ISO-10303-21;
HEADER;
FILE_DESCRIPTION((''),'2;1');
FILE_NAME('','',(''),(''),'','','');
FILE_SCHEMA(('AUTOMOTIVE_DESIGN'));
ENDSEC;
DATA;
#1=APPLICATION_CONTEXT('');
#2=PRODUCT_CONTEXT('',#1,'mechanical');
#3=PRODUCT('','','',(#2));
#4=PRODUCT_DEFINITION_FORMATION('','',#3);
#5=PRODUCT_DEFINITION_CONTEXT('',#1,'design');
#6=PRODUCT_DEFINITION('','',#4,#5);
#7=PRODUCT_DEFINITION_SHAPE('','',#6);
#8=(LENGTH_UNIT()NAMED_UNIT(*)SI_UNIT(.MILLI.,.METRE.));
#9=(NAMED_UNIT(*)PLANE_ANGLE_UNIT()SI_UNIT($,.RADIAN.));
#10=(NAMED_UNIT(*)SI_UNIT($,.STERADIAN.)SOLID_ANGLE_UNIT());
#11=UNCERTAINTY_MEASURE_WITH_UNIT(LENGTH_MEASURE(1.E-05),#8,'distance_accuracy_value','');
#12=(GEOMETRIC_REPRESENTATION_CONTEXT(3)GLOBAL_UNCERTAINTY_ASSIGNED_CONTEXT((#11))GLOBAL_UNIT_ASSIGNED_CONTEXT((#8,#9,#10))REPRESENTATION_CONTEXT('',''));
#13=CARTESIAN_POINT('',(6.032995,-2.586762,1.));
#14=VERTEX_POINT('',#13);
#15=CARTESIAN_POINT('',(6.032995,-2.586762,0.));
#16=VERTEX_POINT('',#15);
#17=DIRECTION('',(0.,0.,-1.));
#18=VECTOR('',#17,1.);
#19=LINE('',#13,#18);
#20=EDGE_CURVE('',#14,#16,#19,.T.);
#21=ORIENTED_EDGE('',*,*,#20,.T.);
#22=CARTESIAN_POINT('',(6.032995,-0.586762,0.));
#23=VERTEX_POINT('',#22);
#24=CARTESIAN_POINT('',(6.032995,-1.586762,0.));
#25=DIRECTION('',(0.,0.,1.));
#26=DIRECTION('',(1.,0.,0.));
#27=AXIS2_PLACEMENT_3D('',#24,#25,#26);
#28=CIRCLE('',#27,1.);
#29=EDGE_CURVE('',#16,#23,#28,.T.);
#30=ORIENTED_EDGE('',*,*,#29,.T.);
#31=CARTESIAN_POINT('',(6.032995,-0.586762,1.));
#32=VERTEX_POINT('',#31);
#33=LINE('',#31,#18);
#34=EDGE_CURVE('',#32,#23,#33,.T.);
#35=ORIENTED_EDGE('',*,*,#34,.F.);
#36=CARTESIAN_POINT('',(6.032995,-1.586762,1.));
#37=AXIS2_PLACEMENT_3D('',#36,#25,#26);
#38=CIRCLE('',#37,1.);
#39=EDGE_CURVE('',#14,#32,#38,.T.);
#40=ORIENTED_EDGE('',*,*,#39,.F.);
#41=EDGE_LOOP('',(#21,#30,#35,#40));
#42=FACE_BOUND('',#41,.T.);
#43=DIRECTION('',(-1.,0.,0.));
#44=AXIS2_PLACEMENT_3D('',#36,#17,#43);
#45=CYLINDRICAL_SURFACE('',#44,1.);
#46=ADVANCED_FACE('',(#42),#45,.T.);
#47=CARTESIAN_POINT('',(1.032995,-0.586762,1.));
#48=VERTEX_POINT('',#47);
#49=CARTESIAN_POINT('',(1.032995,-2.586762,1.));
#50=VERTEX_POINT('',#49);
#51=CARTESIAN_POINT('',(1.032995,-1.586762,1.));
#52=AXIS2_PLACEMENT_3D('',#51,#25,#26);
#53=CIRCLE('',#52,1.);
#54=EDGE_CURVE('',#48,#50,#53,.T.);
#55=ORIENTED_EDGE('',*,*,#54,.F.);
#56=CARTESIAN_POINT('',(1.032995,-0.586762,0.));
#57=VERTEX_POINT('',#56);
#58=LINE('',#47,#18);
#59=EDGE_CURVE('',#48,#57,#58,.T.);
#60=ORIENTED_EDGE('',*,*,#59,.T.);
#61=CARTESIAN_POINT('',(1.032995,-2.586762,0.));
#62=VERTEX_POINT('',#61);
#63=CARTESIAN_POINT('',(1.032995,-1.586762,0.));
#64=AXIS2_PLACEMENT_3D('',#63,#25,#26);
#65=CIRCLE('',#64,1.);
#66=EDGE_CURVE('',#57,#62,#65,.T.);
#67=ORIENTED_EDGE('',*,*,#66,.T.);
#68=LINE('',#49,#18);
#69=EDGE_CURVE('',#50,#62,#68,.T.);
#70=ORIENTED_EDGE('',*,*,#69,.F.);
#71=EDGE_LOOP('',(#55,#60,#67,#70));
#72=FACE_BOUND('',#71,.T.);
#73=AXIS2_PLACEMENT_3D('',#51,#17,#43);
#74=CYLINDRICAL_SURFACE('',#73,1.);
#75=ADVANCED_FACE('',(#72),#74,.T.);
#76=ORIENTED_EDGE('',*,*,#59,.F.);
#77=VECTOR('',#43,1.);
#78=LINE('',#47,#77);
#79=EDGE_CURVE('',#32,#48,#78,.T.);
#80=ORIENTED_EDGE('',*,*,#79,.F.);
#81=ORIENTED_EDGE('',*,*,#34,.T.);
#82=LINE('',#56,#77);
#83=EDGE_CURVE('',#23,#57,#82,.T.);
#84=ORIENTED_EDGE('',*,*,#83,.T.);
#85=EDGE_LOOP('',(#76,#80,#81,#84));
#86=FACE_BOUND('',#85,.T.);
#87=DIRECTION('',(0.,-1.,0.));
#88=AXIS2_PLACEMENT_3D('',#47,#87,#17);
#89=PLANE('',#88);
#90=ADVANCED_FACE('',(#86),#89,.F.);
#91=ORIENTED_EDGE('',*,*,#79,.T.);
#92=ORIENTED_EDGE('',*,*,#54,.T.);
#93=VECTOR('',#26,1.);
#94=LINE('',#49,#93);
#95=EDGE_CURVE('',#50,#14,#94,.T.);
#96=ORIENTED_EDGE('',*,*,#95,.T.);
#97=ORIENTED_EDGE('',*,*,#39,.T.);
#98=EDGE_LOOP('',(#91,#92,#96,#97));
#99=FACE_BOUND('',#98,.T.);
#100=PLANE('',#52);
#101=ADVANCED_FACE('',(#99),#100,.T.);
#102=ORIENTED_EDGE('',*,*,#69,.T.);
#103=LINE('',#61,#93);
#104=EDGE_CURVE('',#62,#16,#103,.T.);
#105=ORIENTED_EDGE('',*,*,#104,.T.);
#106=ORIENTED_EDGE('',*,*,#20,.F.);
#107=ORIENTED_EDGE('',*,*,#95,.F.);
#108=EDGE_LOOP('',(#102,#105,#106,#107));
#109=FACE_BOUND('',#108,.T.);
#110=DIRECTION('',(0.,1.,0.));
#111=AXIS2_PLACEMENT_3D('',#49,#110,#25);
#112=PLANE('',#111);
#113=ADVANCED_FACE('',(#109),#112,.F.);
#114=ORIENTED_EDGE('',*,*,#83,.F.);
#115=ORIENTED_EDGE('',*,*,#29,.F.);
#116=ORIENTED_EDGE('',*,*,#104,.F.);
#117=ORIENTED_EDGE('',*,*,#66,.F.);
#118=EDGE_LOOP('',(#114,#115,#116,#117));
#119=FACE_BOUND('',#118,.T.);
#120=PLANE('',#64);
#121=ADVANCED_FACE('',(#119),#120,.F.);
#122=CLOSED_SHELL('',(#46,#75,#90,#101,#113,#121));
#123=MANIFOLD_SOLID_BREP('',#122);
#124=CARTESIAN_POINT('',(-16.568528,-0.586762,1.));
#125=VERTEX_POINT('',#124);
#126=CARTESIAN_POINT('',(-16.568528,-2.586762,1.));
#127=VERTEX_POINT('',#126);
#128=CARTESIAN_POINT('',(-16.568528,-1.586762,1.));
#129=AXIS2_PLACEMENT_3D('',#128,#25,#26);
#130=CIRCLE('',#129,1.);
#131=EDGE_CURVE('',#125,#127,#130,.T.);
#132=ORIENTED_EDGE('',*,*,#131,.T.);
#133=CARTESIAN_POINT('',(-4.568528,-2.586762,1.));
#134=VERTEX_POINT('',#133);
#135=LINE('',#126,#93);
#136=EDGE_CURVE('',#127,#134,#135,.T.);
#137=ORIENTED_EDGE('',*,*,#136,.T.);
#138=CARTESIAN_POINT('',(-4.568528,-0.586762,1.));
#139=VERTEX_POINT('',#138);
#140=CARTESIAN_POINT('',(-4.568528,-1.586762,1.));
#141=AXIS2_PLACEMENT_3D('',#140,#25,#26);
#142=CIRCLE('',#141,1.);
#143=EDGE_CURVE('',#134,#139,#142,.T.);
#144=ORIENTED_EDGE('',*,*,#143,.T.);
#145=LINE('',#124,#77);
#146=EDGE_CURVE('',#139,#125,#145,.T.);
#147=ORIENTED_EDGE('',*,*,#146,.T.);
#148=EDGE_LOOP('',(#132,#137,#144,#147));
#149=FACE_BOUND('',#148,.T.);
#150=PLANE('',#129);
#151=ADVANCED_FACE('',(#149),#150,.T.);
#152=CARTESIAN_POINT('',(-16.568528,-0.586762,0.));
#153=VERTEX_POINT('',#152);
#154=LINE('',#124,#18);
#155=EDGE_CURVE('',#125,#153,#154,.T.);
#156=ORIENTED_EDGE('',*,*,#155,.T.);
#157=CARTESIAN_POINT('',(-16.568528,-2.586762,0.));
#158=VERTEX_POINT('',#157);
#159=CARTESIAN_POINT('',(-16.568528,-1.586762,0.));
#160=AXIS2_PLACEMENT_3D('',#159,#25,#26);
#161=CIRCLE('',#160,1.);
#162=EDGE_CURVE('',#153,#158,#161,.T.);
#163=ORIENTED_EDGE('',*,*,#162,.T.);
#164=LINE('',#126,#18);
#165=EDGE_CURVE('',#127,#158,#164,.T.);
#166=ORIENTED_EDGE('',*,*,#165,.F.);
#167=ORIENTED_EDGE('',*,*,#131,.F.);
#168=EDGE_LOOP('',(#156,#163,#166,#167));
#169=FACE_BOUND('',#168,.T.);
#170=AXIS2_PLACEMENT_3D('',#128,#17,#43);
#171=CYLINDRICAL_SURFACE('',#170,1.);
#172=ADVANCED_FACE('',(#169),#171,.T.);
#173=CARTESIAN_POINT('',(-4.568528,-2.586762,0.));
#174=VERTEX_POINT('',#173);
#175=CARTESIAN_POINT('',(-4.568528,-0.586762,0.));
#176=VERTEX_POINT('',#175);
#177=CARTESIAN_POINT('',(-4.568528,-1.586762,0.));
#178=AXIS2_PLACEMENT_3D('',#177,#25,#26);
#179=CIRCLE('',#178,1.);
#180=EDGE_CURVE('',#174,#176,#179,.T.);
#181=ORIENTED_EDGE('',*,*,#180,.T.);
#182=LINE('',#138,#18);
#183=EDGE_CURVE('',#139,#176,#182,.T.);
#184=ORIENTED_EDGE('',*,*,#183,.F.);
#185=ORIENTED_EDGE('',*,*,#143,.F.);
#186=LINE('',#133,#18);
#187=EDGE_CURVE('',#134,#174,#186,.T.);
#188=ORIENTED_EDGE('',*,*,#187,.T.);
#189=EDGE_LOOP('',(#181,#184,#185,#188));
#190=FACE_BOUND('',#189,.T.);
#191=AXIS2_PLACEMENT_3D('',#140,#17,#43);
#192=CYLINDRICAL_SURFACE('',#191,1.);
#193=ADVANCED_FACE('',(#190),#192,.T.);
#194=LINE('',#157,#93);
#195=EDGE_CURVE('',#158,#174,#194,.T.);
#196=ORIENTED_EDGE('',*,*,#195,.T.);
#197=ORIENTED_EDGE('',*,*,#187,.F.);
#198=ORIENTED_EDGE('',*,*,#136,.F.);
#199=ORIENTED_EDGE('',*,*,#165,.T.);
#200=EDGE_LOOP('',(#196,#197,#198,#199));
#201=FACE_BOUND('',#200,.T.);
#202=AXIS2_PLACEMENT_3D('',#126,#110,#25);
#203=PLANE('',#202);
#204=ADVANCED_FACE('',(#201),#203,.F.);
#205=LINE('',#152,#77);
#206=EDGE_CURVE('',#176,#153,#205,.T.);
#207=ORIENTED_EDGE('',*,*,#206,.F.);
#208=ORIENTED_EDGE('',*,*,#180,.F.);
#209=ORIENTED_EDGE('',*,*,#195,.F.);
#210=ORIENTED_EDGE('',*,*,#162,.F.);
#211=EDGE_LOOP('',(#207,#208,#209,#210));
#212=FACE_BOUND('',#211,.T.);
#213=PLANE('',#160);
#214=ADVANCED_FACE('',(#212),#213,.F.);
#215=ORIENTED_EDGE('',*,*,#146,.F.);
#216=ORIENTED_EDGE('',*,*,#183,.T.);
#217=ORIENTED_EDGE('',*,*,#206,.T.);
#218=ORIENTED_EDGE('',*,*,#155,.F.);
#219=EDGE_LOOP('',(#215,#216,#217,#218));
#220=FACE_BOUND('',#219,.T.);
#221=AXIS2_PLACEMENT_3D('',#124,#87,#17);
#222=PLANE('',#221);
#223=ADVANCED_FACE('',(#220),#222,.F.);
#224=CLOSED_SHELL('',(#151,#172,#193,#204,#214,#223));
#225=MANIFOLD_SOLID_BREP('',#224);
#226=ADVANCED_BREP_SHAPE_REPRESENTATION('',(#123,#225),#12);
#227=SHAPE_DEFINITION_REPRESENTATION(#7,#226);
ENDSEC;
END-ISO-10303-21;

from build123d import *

# Parameters (mm, degrees)
EXTRUDE_1_DEPTH   = 1
EXTRUDE_1_2_DEPTH = 1


with BuildPart() as part:
    # 草图1 → 凸台-拉伸1 (new body)
    with BuildSketch(Plane.XY):
        with BuildLine():
            Line((-16.568527919, -0.586762193), (-4.568527919, -0.586762193))
            ThreePointArc((-4.568527919, -0.586762193), (-3.568527919, -1.586762193), (-4.568527919, -2.586762193))
            Line((-4.568527919, -2.586762193), (-16.568527919, -2.586762193))
            ThreePointArc((-16.568527919, -2.586762193), (-17.568527919, -1.586762193), (-16.568527919, -0.586762193))
        make_face()
    extrude(amount=EXTRUDE_1_DEPTH)


with BuildPart() as body_2:
    # 草图1 → Extrude 1 2 (new body)
    with BuildSketch(Plane.XY):
        with BuildLine():
            Line((1.032994924, -0.586762193), (6.032994924, -0.586762193))
            ThreePointArc((6.032994924, -0.586762193), (7.032994924, -1.586762193), (6.032994924, -2.586762193))
            Line((6.032994924, -2.586762193), (1.032994924, -2.586762193))
            ThreePointArc((1.032994924, -2.586762193), (0.032994924, -1.586762193), (1.032994924, -0.586762193))
        make_face()
    extrude(amount=EXTRUDE_1_2_DEPTH)


solid = Compound([part.part, body_2.part])
